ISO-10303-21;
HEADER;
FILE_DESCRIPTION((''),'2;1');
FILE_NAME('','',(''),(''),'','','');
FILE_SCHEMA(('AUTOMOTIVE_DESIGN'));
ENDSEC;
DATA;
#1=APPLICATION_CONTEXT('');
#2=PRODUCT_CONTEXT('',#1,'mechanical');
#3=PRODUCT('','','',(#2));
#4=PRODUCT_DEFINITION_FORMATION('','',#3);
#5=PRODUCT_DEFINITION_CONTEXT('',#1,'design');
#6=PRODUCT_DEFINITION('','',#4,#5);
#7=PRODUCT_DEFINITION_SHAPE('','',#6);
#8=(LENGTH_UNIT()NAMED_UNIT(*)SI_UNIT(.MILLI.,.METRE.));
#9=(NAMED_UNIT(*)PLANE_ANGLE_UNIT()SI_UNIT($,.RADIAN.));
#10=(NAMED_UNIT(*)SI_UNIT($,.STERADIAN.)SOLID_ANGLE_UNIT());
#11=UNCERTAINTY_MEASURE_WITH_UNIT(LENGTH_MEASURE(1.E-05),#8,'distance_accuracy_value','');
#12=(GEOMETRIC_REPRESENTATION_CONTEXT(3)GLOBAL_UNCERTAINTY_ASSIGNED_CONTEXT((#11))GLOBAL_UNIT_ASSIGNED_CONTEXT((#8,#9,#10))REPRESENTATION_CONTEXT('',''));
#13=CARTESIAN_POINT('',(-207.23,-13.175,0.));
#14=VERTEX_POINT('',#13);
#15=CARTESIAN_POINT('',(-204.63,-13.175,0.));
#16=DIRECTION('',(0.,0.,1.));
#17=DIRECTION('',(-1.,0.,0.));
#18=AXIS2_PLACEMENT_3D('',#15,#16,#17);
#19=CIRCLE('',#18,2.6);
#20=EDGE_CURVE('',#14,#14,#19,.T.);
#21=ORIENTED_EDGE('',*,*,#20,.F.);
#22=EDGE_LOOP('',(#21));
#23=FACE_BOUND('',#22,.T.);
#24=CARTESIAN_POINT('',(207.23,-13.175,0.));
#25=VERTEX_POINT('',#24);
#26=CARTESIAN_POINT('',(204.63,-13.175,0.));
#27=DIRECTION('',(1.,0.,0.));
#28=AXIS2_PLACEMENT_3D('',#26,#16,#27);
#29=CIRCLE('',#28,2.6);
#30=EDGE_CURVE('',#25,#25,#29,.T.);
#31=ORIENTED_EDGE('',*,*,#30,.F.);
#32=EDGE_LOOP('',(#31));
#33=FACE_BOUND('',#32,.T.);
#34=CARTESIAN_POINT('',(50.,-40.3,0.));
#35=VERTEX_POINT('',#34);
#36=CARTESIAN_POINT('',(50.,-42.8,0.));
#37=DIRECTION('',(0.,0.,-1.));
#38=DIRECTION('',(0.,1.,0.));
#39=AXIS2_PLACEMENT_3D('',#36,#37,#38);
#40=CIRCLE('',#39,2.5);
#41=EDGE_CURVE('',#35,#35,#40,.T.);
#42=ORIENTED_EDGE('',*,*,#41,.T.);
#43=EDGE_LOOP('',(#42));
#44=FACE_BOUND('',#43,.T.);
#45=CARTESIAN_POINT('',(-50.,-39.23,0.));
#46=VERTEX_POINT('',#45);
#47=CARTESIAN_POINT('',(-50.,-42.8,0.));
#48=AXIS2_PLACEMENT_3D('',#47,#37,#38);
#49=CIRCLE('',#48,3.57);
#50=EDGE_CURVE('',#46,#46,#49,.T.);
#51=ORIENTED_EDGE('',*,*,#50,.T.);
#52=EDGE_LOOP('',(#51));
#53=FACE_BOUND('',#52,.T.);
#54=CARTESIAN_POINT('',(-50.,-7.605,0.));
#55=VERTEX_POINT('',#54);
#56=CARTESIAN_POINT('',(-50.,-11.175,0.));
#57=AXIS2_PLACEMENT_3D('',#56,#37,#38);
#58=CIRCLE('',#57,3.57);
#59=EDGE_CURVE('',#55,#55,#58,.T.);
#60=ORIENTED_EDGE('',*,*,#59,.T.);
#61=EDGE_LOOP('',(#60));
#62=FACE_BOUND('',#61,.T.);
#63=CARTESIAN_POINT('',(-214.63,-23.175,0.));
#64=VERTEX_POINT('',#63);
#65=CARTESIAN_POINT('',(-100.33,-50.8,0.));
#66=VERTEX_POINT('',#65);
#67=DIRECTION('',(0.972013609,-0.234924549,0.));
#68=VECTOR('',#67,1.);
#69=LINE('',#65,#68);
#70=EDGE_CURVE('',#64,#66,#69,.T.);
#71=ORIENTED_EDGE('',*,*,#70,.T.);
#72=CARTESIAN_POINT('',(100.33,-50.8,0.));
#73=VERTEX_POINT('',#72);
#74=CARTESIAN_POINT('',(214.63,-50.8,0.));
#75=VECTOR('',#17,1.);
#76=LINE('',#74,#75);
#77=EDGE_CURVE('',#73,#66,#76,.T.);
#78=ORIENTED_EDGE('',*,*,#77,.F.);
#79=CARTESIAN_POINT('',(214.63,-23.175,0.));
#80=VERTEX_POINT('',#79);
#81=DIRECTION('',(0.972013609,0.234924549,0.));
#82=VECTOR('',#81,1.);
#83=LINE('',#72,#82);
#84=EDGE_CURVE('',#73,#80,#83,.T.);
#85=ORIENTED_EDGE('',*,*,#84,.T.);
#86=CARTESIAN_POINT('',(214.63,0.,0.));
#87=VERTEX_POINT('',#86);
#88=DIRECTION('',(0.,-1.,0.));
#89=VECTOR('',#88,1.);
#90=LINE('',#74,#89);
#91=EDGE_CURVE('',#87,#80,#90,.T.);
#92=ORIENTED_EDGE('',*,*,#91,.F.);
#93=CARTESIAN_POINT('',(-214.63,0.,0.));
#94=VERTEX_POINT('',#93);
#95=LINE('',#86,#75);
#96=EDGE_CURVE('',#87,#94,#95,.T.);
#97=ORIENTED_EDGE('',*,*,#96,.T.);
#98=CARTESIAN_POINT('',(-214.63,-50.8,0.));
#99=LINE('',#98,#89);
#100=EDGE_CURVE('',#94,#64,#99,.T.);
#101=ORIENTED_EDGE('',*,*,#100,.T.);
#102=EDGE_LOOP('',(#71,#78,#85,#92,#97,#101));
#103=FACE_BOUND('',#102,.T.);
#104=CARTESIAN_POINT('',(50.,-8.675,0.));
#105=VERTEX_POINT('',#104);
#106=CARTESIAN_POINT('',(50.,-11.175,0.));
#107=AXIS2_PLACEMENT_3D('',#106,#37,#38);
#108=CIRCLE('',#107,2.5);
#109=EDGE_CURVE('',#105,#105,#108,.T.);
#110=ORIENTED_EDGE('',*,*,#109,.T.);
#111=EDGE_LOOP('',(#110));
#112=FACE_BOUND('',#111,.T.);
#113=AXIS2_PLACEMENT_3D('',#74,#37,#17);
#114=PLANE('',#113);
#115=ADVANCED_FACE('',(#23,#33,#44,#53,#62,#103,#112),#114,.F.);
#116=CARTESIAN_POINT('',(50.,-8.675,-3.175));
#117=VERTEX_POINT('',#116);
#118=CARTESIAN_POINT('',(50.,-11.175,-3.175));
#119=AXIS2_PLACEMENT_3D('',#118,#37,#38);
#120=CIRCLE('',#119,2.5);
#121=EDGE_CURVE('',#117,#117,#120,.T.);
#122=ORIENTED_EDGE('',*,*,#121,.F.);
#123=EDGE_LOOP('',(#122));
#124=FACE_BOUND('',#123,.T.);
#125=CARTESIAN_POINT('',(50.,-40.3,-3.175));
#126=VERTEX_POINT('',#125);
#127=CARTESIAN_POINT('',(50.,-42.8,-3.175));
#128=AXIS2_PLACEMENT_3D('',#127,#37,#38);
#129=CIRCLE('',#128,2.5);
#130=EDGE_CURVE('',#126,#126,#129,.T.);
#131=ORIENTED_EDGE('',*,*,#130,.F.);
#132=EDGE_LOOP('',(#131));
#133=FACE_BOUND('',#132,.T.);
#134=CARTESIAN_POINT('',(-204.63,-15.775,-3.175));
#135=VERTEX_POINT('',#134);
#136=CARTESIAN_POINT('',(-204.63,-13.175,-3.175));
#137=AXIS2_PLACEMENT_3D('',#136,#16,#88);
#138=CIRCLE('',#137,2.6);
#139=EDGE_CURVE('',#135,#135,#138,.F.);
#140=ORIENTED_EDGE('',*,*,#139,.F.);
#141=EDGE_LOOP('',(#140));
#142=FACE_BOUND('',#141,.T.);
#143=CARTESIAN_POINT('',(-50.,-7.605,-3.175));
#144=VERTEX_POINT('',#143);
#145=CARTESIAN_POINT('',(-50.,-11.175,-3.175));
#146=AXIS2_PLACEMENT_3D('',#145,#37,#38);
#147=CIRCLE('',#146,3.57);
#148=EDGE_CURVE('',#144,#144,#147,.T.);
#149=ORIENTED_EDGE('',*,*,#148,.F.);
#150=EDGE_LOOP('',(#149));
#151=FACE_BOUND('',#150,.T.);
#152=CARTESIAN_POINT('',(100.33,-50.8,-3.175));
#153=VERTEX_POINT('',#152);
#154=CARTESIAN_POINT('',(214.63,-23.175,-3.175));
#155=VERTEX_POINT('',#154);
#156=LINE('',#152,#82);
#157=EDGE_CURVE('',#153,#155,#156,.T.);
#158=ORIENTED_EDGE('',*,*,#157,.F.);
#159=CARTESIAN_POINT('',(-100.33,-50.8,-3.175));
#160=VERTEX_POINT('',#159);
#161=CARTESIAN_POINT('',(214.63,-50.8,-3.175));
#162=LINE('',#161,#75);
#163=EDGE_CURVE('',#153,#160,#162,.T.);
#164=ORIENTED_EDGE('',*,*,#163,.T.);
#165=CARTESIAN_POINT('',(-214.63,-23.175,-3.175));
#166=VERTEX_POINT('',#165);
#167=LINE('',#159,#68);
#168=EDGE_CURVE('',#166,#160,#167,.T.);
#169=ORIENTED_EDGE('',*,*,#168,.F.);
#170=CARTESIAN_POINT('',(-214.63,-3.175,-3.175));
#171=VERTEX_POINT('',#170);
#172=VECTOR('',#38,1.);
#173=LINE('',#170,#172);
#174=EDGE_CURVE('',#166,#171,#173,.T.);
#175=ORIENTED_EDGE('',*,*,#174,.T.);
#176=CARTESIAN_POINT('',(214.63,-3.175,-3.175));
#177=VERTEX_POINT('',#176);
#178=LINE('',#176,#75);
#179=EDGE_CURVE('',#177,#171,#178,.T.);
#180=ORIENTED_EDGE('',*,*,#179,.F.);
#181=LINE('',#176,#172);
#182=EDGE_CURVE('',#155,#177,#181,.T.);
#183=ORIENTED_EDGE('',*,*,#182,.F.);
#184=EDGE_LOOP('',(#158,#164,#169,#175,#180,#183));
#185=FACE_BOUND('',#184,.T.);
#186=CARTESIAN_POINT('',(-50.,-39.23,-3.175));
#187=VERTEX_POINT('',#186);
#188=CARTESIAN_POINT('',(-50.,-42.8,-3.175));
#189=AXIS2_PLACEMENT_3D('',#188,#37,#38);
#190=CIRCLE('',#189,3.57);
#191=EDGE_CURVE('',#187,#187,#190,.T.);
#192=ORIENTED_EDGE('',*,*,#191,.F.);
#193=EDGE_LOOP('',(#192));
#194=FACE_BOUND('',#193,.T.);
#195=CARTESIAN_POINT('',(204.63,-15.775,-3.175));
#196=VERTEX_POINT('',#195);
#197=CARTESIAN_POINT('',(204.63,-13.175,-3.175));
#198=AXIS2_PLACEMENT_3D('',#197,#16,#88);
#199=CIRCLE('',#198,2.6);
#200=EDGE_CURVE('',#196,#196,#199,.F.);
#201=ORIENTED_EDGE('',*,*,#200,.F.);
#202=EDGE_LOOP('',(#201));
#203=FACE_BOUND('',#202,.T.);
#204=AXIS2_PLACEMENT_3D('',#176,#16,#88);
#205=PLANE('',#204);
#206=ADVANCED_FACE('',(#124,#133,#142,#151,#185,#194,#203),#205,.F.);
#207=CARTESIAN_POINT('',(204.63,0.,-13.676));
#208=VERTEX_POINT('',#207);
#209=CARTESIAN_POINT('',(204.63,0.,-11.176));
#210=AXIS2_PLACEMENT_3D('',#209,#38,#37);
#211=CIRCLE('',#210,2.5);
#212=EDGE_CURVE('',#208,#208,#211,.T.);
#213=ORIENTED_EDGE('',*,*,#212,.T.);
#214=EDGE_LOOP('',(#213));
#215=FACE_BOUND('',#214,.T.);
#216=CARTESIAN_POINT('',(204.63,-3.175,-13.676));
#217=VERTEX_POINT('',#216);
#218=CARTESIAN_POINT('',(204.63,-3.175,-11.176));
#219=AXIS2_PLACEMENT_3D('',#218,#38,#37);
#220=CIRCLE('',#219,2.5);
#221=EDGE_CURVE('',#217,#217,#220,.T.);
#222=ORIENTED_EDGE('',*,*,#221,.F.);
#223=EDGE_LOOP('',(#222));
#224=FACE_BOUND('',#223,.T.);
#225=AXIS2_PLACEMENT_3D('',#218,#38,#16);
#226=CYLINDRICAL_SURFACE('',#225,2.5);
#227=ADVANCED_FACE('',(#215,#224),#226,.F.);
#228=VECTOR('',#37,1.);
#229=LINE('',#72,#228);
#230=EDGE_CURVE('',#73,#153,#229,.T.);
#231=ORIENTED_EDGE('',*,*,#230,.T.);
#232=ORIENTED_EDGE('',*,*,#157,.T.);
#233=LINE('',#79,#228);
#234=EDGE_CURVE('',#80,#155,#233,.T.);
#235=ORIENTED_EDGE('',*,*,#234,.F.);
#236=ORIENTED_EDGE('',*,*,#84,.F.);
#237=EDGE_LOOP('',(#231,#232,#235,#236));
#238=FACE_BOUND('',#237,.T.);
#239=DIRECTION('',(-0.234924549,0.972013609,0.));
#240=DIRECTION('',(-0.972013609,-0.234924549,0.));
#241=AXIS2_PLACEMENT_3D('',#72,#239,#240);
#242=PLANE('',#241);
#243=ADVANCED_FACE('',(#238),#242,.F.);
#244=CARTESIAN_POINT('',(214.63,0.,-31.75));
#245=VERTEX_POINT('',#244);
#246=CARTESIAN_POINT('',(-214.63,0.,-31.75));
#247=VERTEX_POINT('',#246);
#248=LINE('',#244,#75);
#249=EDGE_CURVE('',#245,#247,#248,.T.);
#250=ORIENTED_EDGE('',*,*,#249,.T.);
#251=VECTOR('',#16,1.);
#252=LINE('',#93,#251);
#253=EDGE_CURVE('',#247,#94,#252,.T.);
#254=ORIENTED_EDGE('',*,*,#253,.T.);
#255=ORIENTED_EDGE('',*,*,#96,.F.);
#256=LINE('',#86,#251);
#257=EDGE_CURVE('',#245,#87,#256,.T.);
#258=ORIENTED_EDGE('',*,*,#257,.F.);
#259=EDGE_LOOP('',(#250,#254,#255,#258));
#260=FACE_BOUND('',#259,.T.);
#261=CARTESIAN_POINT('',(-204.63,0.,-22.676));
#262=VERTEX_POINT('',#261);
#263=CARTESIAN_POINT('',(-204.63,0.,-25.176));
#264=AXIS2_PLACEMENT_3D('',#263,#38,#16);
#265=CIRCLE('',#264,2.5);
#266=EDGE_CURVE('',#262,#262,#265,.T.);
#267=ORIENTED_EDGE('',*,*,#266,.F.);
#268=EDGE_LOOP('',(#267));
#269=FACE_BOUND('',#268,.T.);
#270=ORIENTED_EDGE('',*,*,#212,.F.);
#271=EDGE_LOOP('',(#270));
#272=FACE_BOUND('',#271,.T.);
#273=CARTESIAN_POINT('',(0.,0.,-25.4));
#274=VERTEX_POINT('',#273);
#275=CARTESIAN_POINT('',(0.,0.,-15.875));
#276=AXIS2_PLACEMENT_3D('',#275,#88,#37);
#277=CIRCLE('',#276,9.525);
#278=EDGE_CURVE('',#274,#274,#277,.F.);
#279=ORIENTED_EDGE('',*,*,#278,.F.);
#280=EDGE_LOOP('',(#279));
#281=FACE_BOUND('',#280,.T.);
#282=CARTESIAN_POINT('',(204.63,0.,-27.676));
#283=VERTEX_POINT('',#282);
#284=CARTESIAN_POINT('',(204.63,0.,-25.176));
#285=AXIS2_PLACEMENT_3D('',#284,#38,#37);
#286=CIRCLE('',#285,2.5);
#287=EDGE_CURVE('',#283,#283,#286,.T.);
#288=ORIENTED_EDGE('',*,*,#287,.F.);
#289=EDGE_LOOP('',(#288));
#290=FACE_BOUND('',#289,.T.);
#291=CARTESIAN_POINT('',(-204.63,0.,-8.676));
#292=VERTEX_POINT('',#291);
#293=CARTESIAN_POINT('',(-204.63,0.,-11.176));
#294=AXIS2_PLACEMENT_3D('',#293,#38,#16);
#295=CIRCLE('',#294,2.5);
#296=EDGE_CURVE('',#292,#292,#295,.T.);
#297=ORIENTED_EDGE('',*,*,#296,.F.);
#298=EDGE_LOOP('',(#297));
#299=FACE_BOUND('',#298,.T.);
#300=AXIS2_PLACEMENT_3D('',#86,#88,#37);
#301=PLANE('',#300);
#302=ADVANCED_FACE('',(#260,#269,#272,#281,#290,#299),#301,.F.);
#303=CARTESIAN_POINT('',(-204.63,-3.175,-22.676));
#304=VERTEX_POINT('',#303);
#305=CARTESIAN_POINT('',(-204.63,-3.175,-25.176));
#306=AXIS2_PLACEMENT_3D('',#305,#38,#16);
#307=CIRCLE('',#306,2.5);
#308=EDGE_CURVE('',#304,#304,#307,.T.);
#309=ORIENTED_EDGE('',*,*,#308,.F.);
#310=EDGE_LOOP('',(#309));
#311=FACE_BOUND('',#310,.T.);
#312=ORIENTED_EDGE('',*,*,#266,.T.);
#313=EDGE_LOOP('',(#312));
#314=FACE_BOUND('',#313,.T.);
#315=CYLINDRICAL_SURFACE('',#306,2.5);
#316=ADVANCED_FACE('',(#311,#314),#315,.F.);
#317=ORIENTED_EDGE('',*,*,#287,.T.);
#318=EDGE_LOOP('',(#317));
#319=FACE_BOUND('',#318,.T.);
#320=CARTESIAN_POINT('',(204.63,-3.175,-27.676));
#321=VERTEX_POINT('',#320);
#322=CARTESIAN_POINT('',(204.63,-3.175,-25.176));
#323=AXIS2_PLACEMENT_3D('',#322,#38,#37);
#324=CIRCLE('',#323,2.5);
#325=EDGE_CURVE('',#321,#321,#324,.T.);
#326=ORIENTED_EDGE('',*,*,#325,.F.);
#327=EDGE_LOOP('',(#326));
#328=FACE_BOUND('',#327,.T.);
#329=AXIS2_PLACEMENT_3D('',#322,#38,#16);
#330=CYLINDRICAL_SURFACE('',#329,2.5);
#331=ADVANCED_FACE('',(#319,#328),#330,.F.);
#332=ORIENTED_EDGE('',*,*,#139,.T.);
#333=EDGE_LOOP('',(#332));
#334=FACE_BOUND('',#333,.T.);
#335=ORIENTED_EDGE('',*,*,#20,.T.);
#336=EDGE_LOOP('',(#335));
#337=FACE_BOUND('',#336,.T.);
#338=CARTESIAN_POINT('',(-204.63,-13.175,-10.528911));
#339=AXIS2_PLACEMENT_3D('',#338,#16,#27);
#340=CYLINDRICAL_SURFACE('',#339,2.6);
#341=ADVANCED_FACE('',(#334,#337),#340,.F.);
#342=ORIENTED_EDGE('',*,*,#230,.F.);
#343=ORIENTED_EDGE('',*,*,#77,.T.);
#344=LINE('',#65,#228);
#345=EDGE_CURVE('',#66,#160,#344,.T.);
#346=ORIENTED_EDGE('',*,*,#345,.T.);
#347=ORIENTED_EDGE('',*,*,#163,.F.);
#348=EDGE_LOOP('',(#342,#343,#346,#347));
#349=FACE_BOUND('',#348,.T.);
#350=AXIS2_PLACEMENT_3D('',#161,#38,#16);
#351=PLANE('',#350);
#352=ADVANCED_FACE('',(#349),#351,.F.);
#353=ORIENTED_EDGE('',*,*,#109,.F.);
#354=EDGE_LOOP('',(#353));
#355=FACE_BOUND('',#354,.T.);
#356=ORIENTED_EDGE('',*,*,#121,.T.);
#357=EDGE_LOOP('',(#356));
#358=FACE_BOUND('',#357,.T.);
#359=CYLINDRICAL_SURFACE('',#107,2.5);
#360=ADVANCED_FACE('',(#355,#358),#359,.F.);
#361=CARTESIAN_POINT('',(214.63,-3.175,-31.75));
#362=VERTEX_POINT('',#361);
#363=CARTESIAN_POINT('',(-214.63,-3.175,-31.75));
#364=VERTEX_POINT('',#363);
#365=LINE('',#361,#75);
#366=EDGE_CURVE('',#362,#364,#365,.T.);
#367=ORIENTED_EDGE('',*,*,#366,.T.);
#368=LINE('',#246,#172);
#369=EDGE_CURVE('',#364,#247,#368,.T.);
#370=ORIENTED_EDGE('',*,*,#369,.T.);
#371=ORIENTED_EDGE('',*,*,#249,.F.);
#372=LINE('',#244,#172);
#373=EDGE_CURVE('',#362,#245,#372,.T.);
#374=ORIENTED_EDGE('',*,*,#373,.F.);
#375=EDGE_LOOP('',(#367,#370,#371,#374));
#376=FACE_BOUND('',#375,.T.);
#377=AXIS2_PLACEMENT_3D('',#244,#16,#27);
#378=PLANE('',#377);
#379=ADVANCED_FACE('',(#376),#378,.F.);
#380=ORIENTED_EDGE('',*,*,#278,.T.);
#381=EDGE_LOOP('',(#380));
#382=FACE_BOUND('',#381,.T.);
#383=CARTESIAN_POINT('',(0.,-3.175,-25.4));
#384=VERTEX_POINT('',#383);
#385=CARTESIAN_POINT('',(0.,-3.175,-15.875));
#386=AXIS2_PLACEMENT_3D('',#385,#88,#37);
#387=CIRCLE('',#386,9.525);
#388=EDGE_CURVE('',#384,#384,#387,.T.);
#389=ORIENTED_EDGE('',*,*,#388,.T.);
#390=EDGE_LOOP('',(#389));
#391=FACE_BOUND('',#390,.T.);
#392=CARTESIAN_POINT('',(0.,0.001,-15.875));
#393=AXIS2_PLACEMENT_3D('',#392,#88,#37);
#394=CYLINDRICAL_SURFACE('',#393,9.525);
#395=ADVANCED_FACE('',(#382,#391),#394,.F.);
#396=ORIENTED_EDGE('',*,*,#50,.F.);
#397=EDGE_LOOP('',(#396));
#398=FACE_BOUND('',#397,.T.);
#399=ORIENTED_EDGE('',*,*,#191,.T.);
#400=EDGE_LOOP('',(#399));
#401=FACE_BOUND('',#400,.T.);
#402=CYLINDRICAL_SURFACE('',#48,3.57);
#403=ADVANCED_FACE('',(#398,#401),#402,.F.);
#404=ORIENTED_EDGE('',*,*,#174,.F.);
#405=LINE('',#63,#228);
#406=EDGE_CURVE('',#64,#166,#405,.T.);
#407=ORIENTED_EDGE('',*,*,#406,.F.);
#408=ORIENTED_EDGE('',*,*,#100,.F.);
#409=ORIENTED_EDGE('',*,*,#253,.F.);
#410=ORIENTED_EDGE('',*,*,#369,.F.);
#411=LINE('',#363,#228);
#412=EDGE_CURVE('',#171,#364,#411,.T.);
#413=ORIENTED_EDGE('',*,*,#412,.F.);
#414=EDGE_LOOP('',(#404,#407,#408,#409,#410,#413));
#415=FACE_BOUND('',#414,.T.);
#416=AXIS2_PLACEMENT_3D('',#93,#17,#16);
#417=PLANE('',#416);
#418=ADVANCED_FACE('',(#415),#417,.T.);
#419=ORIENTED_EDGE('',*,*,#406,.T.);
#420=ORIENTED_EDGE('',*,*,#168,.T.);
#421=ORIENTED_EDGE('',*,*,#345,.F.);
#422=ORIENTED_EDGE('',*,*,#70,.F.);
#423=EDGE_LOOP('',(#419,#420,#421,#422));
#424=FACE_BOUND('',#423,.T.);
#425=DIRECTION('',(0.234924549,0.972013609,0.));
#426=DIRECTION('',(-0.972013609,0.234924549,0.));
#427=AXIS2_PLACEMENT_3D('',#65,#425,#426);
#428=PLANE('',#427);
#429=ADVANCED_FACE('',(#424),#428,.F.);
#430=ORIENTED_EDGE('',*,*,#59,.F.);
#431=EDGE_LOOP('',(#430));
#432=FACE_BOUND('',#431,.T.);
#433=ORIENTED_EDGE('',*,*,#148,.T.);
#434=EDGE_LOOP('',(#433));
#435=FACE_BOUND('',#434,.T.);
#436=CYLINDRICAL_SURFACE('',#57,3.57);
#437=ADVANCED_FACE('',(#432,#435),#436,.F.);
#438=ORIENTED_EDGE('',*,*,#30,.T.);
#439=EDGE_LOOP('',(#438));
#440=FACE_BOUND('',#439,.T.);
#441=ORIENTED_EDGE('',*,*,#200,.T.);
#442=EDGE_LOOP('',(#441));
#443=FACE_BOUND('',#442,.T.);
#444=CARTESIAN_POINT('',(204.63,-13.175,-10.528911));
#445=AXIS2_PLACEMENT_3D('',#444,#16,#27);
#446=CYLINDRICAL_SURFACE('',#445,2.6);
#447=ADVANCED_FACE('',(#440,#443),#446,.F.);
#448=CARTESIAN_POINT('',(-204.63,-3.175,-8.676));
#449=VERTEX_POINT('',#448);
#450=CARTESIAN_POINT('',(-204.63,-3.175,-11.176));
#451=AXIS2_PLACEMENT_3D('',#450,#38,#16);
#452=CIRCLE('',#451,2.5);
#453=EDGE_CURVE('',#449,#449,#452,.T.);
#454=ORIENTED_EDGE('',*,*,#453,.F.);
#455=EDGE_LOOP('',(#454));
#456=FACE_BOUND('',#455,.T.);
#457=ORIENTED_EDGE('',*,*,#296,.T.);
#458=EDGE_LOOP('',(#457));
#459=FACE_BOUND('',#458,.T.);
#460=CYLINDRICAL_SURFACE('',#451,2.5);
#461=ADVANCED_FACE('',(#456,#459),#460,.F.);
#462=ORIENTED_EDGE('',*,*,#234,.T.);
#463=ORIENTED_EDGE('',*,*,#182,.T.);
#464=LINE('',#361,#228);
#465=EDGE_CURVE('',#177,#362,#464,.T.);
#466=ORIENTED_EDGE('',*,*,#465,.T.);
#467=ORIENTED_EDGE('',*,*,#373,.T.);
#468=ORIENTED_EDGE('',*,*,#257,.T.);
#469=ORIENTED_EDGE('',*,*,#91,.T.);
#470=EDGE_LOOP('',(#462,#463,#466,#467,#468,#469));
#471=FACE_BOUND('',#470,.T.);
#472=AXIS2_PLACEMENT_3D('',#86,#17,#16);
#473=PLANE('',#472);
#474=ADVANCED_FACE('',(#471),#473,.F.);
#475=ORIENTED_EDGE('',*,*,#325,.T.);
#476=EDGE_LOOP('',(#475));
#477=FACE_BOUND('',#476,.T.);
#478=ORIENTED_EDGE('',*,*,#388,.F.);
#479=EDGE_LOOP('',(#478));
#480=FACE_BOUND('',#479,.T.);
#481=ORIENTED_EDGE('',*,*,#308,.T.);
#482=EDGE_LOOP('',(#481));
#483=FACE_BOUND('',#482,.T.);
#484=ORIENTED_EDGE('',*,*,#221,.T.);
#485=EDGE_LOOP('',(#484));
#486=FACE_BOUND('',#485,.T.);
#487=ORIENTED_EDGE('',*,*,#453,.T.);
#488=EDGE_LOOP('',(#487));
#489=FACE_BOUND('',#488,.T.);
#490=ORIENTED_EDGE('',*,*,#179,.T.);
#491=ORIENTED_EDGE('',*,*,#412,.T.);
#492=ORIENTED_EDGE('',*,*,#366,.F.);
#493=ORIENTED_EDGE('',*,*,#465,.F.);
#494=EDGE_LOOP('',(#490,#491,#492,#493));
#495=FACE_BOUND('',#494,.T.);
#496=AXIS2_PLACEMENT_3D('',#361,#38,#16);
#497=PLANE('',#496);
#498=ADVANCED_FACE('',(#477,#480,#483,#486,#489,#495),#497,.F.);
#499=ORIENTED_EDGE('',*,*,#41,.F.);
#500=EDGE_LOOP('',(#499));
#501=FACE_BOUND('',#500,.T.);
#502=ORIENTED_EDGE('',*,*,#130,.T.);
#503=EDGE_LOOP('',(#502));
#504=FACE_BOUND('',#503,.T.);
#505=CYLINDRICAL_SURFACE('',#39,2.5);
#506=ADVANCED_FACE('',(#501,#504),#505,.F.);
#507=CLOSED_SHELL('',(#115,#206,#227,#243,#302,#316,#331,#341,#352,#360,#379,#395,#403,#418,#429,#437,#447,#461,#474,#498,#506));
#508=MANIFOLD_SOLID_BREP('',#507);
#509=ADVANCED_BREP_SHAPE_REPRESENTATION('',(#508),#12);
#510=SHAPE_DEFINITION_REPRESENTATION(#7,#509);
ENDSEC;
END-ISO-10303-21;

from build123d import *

# Parameters (mm, degrees)
BOSS_EXTRUDE1_DEPTH = 214.63
SKETCH2_R           = 2.5
SKETCH2_R_2         = 3.57
CUT_EXTRUDE1_DEPTH  = 223.403254304
CUT_EXTRUDE2_DEPTH  = 3.175
SKETCH4_R           = 2.5
CUT_EXTRUDE3_DEPTH  = 3.175
CUT_EXTRUDE4_REACH  = 224.131
SKETCH5_R           = 9.525
SKETCH6_R           = 2.6
CUT_EXTRUDE5_DEPTH  = 3.175


with BuildPart() as part:
    # Sketch1 → Boss-Extrude1 (new, symmetric)
    with BuildSketch(Plane(origin=(0, 0, 0), x_dir=(0, 0, -1), z_dir=(1, 0, 0))):
        Polygon((0, 0), (31.75, 0), (31.75, -3.175), (3.175, -3.175), (3.175, -50.8), (0, -50.8), align=None)
    extrude(amount=BOSS_EXTRUDE1_DEPTH, both=True)

    # Sketch2 → Cut-Extrude1 (cut, through all)
    with BuildSketch(Plane(origin=(0, 0, -3.175), x_dir=(-1, 0, 0), z_dir=(0, 0, -1))):
        with Locations(Location((-50, -11.175, 0), (0, 0, 90))):
            Circle(SKETCH2_R)
        with Locations(Location((50, -11.175, 0), (0, 0, 90))):
            Circle(SKETCH2_R_2)
        with Locations(Location((50, -42.8, 0), (0, 0, 90))):
            Circle(SKETCH2_R_2)
        with Locations(Location((-50, -42.8, 0), (0, 0, 90))):
            Circle(SKETCH2_R)
    extrude(amount=-CUT_EXTRUDE1_DEPTH, mode=Mode.SUBTRACT)

    # Sketch3 → Cut-Extrude2 (cut)
    with BuildSketch(Plane(origin=(0, 0, -3.175), x_dir=(-1, 0, 0), z_dir=(0, 0, -1))):
        Polygon((214.63, -50.8), (100.33, -50.8), (214.63, -23.175), align=None)
        Polygon((-214.63, -23.175), (-214.63, -50.8), (-100.33, -50.8), align=None)
    extrude(amount=-CUT_EXTRUDE2_DEPTH, mode=Mode.SUBTRACT)

    # Sketch4 → Cut-Extrude3 (cut)
    with BuildSketch(Plane(origin=(0, 0, 0), x_dir=(1, 0, 0), z_dir=(0, 1, 0))):
        with Locations(Location((-204.63, 11.176, 0), (0, 0, 270))):
            Circle(SKETCH4_R)
        with Locations(Location((-204.63, 25.176, 0), (0, 0, 270))):
            Circle(SKETCH4_R)
        with Locations(Location((204.63, 25.176, 0), (0, 0, 90))):
            Circle(SKETCH4_R)
        with Locations(Location((204.63, 11.176, 0), (0, 0, 90))):
            Circle(SKETCH4_R)
    extrude(amount=-CUT_EXTRUDE3_DEPTH, mode=Mode.SUBTRACT)

    # Sketch5 → Cut-Extrude4 (cut, up to next)
    with BuildSketch(Plane.XZ.offset(3.175), mode=Mode.PRIVATE) as cut_extrude4_sk1:
        with Locations(Location((0, -15.875, 0), (0, 0, 270))):
            Circle(SKETCH5_R)
    cut_extrude4_tool1 = extrude(cut_extrude4_sk1.sketch, amount=-CUT_EXTRUDE4_REACH, mode=Mode.PRIVATE) & part.part
    add(cut_extrude4_tool1.solids().sort_by_distance((0, -3.175, -15.875))[0], mode=Mode.SUBTRACT)

    # Sketch6 → Cut-Extrude5 (cut)
    with BuildSketch(Plane.XY):
        with Locations((204.63, -13.175000066)):
            Circle(SKETCH6_R)
        with Locations(Location((-204.63, -13.175000066, 0), (0, 0, 270))):
            Circle(SKETCH6_R)
    extrude(amount=-CUT_EXTRUDE5_DEPTH, mode=Mode.SUBTRACT)


solid = part.part
